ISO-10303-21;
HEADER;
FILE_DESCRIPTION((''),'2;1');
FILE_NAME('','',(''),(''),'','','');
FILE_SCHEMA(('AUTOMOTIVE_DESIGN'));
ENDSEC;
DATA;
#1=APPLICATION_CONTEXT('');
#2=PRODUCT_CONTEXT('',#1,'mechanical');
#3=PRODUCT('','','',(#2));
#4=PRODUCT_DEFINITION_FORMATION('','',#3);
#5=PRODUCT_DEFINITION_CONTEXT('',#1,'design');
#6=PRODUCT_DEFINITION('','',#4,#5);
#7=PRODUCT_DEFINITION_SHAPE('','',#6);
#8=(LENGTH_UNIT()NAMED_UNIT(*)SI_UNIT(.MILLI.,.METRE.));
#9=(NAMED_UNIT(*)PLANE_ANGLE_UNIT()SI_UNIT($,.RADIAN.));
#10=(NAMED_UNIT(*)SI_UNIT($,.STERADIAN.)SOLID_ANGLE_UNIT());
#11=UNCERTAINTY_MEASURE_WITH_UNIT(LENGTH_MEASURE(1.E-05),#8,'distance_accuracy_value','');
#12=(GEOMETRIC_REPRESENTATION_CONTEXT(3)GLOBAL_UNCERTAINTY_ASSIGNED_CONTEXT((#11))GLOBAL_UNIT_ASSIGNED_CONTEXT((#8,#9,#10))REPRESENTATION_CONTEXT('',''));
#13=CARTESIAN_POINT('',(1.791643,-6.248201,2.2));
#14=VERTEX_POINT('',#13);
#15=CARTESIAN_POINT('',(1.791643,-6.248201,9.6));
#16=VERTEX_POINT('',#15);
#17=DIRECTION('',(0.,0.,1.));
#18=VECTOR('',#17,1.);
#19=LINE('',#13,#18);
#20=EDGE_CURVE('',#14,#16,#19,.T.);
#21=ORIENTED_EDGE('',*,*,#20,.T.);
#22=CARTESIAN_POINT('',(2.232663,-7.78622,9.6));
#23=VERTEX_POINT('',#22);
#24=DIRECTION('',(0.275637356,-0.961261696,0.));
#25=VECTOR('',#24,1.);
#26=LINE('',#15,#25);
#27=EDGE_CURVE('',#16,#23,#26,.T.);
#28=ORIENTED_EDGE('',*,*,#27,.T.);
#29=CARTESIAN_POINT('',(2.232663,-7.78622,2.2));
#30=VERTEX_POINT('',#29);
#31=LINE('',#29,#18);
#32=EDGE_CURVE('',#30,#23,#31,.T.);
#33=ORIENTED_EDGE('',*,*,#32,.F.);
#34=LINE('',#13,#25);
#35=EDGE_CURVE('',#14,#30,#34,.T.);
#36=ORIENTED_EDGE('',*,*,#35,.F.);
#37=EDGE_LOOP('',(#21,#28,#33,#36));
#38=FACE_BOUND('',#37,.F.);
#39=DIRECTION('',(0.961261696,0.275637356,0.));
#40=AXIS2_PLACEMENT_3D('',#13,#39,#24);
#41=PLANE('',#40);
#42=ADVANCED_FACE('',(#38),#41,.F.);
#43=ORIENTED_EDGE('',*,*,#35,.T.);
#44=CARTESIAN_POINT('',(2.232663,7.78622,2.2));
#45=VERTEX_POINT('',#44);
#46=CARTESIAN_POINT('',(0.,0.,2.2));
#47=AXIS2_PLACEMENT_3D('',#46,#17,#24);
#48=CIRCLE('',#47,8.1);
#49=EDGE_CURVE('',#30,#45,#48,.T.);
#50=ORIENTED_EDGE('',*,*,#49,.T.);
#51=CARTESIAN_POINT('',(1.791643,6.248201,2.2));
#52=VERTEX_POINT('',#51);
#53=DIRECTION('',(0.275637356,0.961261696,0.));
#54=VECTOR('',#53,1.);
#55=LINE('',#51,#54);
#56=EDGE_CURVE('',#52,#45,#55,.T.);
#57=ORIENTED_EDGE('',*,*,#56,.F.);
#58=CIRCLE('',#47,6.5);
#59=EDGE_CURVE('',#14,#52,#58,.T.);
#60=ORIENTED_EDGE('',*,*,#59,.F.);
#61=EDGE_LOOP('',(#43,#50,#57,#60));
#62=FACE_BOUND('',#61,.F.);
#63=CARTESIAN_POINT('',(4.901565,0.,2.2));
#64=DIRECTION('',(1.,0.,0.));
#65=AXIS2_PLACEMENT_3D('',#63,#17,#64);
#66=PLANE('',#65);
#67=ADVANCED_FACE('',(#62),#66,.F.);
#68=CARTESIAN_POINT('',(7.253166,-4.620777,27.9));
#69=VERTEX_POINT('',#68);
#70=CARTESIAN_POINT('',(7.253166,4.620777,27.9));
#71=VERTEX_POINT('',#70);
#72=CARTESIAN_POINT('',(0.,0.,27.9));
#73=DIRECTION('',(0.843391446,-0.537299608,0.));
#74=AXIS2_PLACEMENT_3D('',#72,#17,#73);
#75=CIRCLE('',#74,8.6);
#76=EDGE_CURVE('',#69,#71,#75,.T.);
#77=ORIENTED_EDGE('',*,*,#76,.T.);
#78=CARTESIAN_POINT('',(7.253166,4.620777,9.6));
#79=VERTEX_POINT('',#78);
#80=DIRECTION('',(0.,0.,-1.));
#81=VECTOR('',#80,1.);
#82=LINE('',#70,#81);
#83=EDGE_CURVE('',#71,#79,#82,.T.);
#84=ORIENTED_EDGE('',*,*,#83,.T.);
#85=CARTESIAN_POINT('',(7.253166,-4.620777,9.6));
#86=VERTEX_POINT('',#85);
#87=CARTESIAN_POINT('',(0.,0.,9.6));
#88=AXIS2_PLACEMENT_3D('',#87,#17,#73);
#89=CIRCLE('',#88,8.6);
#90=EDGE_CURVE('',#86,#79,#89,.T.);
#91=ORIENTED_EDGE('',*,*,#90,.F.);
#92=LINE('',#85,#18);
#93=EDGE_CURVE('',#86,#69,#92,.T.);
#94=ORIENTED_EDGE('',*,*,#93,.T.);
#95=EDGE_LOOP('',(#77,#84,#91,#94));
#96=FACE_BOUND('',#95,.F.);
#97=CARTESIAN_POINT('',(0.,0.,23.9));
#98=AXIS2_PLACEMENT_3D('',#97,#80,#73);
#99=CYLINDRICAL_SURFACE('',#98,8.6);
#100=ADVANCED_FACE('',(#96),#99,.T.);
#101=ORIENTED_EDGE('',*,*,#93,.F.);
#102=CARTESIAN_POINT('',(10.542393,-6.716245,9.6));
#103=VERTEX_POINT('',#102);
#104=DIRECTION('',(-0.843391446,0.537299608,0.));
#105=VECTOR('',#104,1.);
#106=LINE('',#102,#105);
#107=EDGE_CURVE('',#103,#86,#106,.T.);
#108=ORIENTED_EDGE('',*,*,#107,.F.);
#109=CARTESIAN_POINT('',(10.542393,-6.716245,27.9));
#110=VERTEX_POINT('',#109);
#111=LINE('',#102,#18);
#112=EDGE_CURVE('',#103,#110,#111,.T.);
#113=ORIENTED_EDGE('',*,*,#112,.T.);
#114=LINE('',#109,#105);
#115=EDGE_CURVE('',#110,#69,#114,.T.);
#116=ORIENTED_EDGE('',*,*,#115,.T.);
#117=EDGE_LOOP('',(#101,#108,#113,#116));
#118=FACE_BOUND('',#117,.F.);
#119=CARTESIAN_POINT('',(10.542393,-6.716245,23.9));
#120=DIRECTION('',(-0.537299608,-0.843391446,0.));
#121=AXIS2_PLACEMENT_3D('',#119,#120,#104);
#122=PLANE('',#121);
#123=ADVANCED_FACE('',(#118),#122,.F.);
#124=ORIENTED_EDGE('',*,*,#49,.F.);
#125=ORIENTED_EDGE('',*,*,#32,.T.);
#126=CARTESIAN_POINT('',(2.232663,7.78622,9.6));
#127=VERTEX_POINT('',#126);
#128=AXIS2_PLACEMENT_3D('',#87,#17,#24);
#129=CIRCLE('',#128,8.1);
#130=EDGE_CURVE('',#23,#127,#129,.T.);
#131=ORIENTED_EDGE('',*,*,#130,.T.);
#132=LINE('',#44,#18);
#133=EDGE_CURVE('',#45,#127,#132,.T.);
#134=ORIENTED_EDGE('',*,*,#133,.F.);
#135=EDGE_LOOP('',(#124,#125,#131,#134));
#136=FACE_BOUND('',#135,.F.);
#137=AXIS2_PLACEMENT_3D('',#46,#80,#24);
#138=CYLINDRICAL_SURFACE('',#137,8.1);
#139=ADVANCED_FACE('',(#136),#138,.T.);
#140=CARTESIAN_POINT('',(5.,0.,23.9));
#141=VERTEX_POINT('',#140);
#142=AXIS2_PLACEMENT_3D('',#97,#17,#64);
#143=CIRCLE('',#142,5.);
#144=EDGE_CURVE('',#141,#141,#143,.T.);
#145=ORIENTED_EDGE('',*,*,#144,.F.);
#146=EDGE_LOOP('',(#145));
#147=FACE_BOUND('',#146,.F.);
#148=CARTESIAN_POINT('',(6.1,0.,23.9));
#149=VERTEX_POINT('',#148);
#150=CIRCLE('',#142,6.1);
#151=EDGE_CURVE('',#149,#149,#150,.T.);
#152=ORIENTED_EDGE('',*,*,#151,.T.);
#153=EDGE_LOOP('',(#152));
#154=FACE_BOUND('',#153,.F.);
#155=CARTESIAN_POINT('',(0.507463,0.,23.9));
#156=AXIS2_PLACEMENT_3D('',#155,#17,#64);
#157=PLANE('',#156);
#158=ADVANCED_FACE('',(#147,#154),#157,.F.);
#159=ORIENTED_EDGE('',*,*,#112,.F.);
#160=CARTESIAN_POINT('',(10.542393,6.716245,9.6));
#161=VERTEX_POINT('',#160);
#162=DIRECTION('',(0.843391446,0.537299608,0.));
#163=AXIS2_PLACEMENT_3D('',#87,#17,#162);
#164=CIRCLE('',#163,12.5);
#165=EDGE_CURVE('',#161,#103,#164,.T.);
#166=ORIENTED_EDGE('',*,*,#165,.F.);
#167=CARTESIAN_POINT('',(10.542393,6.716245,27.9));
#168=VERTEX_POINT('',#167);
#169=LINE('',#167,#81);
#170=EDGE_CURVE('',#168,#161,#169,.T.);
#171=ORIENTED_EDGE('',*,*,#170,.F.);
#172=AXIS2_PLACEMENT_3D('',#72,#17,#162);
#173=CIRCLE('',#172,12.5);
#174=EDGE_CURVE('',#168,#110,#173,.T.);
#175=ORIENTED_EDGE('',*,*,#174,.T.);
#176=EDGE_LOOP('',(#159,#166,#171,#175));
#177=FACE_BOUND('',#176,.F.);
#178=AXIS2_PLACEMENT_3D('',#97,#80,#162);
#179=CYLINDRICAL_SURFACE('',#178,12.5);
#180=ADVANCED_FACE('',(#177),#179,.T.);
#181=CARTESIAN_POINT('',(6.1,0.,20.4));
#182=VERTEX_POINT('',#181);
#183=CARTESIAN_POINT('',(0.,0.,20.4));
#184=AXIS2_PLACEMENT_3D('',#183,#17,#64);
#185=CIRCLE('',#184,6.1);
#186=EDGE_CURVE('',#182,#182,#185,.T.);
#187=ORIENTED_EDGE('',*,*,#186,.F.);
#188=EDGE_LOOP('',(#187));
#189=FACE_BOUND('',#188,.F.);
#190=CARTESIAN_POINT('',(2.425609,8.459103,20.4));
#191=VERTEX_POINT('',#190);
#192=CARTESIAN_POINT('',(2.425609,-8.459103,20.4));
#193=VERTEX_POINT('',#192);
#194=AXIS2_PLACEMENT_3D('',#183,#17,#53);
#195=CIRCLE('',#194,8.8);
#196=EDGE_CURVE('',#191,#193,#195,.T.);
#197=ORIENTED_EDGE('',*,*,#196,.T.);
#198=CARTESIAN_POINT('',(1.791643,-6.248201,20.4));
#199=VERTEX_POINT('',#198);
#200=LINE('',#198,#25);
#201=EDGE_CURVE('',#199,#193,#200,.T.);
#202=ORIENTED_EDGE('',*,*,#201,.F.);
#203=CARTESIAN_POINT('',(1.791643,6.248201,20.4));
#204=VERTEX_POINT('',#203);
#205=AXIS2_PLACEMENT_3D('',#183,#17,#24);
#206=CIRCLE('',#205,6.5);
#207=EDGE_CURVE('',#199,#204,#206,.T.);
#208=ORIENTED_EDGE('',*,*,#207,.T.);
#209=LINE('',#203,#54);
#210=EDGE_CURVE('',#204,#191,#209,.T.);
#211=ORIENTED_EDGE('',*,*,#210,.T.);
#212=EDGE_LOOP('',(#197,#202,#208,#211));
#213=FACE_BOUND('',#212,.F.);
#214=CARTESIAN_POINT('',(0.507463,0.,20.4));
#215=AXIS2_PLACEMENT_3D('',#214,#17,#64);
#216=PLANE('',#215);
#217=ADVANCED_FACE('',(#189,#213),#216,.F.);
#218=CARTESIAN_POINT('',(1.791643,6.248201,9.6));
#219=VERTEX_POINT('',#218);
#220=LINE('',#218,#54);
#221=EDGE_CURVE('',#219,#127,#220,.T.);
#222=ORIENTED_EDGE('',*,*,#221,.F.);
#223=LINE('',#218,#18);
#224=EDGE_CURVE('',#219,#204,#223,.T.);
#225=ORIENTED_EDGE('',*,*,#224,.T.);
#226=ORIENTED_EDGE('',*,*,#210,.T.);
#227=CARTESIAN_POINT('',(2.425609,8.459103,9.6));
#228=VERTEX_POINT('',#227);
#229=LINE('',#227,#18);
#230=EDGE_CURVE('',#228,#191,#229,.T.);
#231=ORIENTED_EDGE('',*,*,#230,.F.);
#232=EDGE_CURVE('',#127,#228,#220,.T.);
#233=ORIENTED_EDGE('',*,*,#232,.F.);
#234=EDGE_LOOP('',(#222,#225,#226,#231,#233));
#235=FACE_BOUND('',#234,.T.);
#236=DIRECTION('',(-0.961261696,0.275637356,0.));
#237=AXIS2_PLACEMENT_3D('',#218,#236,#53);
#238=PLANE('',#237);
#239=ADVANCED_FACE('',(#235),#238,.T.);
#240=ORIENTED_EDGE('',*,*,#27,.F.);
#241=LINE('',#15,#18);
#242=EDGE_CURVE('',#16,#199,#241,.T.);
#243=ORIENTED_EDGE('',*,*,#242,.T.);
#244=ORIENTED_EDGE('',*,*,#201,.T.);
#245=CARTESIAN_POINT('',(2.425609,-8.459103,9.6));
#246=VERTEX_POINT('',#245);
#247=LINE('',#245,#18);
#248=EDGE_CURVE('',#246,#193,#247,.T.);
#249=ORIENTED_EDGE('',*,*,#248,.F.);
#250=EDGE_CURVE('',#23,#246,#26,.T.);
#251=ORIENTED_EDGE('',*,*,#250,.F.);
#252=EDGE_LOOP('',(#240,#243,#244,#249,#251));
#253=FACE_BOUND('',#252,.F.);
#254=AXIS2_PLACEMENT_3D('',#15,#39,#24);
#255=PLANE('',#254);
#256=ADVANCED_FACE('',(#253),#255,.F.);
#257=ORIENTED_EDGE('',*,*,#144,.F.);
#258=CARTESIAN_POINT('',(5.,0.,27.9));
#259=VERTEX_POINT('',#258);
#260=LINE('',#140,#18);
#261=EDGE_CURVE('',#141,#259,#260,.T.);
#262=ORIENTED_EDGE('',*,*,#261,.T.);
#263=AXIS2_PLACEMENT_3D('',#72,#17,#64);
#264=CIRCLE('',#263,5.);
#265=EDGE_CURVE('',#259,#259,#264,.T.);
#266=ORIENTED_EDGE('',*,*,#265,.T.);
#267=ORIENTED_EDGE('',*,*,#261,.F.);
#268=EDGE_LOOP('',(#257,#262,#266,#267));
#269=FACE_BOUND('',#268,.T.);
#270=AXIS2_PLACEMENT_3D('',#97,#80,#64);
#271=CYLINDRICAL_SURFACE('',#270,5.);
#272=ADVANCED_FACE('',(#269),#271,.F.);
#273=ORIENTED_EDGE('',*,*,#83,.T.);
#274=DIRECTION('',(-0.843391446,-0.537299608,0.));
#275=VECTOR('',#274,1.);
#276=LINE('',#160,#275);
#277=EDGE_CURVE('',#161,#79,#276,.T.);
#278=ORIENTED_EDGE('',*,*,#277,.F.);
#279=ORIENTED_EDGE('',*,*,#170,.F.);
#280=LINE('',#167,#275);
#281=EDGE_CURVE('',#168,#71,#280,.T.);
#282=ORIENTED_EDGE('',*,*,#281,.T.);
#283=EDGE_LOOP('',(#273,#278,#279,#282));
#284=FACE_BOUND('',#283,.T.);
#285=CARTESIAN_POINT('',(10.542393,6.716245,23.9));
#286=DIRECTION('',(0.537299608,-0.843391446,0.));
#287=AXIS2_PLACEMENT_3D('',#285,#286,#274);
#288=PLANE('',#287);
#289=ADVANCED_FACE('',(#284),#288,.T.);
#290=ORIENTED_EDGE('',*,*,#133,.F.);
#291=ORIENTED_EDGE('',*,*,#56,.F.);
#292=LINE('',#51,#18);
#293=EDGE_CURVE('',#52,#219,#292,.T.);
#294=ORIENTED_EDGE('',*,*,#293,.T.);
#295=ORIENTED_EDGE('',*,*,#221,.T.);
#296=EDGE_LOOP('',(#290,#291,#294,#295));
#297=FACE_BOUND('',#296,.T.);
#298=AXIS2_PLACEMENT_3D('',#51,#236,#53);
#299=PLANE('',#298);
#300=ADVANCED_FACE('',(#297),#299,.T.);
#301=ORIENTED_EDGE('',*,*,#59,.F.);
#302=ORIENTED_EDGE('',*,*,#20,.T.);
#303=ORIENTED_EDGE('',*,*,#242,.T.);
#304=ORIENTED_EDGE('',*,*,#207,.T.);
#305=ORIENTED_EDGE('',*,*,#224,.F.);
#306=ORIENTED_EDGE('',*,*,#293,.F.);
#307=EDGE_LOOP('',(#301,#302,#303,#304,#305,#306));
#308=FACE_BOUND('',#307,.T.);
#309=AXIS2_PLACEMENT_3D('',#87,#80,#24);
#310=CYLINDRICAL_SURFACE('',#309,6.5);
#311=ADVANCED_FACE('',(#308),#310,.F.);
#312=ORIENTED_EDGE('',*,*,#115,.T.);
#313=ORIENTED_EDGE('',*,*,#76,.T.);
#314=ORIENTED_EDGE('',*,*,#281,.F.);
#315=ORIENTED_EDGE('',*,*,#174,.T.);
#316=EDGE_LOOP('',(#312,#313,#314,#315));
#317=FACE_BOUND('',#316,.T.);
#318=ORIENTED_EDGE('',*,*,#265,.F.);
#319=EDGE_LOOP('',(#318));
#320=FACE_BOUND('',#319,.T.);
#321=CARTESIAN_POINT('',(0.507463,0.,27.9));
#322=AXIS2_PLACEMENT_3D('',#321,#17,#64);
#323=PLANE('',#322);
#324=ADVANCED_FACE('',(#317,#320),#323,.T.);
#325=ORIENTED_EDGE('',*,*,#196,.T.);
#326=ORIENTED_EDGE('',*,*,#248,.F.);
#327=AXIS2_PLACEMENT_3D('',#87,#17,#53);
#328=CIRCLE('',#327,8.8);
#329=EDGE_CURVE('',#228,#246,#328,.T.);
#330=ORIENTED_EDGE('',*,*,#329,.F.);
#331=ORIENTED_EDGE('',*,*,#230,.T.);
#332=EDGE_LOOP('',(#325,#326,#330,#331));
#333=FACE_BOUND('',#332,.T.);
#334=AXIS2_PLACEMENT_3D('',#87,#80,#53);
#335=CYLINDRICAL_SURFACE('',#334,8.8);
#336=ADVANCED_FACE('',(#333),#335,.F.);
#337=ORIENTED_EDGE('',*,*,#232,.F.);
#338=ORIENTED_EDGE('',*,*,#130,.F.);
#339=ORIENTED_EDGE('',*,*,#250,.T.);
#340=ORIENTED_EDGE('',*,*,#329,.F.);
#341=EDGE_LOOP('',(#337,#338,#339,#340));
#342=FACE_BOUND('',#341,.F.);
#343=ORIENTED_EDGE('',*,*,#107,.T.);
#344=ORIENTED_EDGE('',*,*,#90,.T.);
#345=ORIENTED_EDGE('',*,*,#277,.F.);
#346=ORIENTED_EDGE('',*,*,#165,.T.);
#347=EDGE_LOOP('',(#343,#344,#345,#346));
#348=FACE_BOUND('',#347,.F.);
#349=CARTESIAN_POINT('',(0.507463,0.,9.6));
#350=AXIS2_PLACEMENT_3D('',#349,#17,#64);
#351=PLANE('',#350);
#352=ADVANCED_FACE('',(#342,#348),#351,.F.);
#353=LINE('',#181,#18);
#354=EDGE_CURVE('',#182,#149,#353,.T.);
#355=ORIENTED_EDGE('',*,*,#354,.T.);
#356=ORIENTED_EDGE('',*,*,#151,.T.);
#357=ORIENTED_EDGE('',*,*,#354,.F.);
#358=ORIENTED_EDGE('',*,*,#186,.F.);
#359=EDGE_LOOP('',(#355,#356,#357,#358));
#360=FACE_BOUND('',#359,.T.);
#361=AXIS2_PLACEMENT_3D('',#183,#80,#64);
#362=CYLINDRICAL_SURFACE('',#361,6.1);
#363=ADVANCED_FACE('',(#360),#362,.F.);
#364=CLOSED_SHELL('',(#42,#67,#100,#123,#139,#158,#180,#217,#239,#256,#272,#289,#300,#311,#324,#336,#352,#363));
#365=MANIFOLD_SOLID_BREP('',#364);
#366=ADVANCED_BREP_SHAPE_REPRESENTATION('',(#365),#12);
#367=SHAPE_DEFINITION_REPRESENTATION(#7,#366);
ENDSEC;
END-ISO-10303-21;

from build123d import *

# Parameters (mm, degrees)
PAD021_DEPTH = 7.4
PAD022_DEPTH = 10.8
SKETCH051_R  = 6.1
PAD023_DEPTH = 3.5
SKETCH052_R  = 5
PAD024_DEPTH = 4


with BuildPart() as part:
    # Sketch049 → Pad021 (new body)
    with BuildSketch(Plane.XY):
        with BuildLine():
            ThreePointArc((2.2326625821, -7.7862197371), (8.1, 0), (2.2326625821, 7.7862197371))
            Line((1.7916428128, 6.2482010236), (2.2326625821, 7.7862197371))
            ThreePointArc((1.7916428128, -6.2482010236), (6.5, 0), (1.7916428128, 6.2482010236))
            Line((1.7916428128, -6.2482010236), (2.2326625821, -7.7862197371))
        make_face()
    extrude(amount=PAD021_DEPTH)

    # Sketch050 (on Face6 of Pad021) → Pad022 (join)
    with BuildSketch(Plane.XY.offset(7.4)):
        with BuildLine():
            ThreePointArc((10.5423930727, 6.7162451043), (-12.5, 0), (10.5423930727, -6.7162451043))
            Line((10.5423930727, -6.7162451043), (7.253166434, -4.6207766318))
            ThreePointArc((7.253166434, -4.6207766318), (8.6, 0), (7.253166434, 4.6207766318))
            Line((10.5423930727, 6.7162451043), (7.253166434, 4.6207766318))
        make_face()
        with BuildLine():
            ThreePointArc((2.4256087312, 8.4591029243), (-8.8, 0), (2.4256087312, -8.4591029243))
            Line((1.7916428128, -6.2482010236), (2.4256087312, -8.4591029243))
            ThreePointArc((1.7916428128, -6.2482010236), (6.5, 0), (1.7916428128, 6.2482010236))
            Line((1.7916428128, 6.2482010236), (2.4256087312, 8.4591029243))
        make_face(mode=Mode.SUBTRACT)
    extrude(amount=PAD022_DEPTH)

    # Sketch051 (on Face10 of Pad022) → Pad023 (join)
    with BuildSketch(Plane.XY.offset(18.2)):
        with BuildLine():
            ThreePointArc((10.5423930727, 6.7162451043), (-12.5, 0), (10.5423930727, -6.7162451043))
            Line((10.5423930727, -6.7162451043), (7.253166434, -4.6207766318))
            ThreePointArc((7.253166434, -4.6207766318), (8.6, 0), (7.253166434, 4.6207766318))
            Line((10.5423930727, 6.7162451043), (7.253166434, 4.6207766318))
        make_face()
        Circle(SKETCH051_R, mode=Mode.SUBTRACT)
    extrude(amount=PAD023_DEPTH)

    # Sketch052 (on Face21 of Pad023) → Pad024 (join)
    with BuildSketch(Plane.XY.offset(21.7)):
        with BuildLine():
            ThreePointArc((10.5423930727, 6.7162451043), (-12.5, 0), (10.5423930727, -6.7162451043))
            Line((10.5423930727, -6.7162451043), (7.253166434, -4.6207766318))
            ThreePointArc((7.253166434, -4.6207766318), (8.6, 0), (7.253166434, 4.6207766318))
            Line((10.5423930727, 6.7162451043), (7.253166434, 4.6207766318))
        make_face()
        Circle(SKETCH052_R, mode=Mode.SUBTRACT)
    extrude(amount=PAD024_DEPTH)


with BuildPart() as part_1:
    # Body006 placement: moved
    add(part.part.moved(Location((0, 0, 2.2))))


solid = part_1.part
